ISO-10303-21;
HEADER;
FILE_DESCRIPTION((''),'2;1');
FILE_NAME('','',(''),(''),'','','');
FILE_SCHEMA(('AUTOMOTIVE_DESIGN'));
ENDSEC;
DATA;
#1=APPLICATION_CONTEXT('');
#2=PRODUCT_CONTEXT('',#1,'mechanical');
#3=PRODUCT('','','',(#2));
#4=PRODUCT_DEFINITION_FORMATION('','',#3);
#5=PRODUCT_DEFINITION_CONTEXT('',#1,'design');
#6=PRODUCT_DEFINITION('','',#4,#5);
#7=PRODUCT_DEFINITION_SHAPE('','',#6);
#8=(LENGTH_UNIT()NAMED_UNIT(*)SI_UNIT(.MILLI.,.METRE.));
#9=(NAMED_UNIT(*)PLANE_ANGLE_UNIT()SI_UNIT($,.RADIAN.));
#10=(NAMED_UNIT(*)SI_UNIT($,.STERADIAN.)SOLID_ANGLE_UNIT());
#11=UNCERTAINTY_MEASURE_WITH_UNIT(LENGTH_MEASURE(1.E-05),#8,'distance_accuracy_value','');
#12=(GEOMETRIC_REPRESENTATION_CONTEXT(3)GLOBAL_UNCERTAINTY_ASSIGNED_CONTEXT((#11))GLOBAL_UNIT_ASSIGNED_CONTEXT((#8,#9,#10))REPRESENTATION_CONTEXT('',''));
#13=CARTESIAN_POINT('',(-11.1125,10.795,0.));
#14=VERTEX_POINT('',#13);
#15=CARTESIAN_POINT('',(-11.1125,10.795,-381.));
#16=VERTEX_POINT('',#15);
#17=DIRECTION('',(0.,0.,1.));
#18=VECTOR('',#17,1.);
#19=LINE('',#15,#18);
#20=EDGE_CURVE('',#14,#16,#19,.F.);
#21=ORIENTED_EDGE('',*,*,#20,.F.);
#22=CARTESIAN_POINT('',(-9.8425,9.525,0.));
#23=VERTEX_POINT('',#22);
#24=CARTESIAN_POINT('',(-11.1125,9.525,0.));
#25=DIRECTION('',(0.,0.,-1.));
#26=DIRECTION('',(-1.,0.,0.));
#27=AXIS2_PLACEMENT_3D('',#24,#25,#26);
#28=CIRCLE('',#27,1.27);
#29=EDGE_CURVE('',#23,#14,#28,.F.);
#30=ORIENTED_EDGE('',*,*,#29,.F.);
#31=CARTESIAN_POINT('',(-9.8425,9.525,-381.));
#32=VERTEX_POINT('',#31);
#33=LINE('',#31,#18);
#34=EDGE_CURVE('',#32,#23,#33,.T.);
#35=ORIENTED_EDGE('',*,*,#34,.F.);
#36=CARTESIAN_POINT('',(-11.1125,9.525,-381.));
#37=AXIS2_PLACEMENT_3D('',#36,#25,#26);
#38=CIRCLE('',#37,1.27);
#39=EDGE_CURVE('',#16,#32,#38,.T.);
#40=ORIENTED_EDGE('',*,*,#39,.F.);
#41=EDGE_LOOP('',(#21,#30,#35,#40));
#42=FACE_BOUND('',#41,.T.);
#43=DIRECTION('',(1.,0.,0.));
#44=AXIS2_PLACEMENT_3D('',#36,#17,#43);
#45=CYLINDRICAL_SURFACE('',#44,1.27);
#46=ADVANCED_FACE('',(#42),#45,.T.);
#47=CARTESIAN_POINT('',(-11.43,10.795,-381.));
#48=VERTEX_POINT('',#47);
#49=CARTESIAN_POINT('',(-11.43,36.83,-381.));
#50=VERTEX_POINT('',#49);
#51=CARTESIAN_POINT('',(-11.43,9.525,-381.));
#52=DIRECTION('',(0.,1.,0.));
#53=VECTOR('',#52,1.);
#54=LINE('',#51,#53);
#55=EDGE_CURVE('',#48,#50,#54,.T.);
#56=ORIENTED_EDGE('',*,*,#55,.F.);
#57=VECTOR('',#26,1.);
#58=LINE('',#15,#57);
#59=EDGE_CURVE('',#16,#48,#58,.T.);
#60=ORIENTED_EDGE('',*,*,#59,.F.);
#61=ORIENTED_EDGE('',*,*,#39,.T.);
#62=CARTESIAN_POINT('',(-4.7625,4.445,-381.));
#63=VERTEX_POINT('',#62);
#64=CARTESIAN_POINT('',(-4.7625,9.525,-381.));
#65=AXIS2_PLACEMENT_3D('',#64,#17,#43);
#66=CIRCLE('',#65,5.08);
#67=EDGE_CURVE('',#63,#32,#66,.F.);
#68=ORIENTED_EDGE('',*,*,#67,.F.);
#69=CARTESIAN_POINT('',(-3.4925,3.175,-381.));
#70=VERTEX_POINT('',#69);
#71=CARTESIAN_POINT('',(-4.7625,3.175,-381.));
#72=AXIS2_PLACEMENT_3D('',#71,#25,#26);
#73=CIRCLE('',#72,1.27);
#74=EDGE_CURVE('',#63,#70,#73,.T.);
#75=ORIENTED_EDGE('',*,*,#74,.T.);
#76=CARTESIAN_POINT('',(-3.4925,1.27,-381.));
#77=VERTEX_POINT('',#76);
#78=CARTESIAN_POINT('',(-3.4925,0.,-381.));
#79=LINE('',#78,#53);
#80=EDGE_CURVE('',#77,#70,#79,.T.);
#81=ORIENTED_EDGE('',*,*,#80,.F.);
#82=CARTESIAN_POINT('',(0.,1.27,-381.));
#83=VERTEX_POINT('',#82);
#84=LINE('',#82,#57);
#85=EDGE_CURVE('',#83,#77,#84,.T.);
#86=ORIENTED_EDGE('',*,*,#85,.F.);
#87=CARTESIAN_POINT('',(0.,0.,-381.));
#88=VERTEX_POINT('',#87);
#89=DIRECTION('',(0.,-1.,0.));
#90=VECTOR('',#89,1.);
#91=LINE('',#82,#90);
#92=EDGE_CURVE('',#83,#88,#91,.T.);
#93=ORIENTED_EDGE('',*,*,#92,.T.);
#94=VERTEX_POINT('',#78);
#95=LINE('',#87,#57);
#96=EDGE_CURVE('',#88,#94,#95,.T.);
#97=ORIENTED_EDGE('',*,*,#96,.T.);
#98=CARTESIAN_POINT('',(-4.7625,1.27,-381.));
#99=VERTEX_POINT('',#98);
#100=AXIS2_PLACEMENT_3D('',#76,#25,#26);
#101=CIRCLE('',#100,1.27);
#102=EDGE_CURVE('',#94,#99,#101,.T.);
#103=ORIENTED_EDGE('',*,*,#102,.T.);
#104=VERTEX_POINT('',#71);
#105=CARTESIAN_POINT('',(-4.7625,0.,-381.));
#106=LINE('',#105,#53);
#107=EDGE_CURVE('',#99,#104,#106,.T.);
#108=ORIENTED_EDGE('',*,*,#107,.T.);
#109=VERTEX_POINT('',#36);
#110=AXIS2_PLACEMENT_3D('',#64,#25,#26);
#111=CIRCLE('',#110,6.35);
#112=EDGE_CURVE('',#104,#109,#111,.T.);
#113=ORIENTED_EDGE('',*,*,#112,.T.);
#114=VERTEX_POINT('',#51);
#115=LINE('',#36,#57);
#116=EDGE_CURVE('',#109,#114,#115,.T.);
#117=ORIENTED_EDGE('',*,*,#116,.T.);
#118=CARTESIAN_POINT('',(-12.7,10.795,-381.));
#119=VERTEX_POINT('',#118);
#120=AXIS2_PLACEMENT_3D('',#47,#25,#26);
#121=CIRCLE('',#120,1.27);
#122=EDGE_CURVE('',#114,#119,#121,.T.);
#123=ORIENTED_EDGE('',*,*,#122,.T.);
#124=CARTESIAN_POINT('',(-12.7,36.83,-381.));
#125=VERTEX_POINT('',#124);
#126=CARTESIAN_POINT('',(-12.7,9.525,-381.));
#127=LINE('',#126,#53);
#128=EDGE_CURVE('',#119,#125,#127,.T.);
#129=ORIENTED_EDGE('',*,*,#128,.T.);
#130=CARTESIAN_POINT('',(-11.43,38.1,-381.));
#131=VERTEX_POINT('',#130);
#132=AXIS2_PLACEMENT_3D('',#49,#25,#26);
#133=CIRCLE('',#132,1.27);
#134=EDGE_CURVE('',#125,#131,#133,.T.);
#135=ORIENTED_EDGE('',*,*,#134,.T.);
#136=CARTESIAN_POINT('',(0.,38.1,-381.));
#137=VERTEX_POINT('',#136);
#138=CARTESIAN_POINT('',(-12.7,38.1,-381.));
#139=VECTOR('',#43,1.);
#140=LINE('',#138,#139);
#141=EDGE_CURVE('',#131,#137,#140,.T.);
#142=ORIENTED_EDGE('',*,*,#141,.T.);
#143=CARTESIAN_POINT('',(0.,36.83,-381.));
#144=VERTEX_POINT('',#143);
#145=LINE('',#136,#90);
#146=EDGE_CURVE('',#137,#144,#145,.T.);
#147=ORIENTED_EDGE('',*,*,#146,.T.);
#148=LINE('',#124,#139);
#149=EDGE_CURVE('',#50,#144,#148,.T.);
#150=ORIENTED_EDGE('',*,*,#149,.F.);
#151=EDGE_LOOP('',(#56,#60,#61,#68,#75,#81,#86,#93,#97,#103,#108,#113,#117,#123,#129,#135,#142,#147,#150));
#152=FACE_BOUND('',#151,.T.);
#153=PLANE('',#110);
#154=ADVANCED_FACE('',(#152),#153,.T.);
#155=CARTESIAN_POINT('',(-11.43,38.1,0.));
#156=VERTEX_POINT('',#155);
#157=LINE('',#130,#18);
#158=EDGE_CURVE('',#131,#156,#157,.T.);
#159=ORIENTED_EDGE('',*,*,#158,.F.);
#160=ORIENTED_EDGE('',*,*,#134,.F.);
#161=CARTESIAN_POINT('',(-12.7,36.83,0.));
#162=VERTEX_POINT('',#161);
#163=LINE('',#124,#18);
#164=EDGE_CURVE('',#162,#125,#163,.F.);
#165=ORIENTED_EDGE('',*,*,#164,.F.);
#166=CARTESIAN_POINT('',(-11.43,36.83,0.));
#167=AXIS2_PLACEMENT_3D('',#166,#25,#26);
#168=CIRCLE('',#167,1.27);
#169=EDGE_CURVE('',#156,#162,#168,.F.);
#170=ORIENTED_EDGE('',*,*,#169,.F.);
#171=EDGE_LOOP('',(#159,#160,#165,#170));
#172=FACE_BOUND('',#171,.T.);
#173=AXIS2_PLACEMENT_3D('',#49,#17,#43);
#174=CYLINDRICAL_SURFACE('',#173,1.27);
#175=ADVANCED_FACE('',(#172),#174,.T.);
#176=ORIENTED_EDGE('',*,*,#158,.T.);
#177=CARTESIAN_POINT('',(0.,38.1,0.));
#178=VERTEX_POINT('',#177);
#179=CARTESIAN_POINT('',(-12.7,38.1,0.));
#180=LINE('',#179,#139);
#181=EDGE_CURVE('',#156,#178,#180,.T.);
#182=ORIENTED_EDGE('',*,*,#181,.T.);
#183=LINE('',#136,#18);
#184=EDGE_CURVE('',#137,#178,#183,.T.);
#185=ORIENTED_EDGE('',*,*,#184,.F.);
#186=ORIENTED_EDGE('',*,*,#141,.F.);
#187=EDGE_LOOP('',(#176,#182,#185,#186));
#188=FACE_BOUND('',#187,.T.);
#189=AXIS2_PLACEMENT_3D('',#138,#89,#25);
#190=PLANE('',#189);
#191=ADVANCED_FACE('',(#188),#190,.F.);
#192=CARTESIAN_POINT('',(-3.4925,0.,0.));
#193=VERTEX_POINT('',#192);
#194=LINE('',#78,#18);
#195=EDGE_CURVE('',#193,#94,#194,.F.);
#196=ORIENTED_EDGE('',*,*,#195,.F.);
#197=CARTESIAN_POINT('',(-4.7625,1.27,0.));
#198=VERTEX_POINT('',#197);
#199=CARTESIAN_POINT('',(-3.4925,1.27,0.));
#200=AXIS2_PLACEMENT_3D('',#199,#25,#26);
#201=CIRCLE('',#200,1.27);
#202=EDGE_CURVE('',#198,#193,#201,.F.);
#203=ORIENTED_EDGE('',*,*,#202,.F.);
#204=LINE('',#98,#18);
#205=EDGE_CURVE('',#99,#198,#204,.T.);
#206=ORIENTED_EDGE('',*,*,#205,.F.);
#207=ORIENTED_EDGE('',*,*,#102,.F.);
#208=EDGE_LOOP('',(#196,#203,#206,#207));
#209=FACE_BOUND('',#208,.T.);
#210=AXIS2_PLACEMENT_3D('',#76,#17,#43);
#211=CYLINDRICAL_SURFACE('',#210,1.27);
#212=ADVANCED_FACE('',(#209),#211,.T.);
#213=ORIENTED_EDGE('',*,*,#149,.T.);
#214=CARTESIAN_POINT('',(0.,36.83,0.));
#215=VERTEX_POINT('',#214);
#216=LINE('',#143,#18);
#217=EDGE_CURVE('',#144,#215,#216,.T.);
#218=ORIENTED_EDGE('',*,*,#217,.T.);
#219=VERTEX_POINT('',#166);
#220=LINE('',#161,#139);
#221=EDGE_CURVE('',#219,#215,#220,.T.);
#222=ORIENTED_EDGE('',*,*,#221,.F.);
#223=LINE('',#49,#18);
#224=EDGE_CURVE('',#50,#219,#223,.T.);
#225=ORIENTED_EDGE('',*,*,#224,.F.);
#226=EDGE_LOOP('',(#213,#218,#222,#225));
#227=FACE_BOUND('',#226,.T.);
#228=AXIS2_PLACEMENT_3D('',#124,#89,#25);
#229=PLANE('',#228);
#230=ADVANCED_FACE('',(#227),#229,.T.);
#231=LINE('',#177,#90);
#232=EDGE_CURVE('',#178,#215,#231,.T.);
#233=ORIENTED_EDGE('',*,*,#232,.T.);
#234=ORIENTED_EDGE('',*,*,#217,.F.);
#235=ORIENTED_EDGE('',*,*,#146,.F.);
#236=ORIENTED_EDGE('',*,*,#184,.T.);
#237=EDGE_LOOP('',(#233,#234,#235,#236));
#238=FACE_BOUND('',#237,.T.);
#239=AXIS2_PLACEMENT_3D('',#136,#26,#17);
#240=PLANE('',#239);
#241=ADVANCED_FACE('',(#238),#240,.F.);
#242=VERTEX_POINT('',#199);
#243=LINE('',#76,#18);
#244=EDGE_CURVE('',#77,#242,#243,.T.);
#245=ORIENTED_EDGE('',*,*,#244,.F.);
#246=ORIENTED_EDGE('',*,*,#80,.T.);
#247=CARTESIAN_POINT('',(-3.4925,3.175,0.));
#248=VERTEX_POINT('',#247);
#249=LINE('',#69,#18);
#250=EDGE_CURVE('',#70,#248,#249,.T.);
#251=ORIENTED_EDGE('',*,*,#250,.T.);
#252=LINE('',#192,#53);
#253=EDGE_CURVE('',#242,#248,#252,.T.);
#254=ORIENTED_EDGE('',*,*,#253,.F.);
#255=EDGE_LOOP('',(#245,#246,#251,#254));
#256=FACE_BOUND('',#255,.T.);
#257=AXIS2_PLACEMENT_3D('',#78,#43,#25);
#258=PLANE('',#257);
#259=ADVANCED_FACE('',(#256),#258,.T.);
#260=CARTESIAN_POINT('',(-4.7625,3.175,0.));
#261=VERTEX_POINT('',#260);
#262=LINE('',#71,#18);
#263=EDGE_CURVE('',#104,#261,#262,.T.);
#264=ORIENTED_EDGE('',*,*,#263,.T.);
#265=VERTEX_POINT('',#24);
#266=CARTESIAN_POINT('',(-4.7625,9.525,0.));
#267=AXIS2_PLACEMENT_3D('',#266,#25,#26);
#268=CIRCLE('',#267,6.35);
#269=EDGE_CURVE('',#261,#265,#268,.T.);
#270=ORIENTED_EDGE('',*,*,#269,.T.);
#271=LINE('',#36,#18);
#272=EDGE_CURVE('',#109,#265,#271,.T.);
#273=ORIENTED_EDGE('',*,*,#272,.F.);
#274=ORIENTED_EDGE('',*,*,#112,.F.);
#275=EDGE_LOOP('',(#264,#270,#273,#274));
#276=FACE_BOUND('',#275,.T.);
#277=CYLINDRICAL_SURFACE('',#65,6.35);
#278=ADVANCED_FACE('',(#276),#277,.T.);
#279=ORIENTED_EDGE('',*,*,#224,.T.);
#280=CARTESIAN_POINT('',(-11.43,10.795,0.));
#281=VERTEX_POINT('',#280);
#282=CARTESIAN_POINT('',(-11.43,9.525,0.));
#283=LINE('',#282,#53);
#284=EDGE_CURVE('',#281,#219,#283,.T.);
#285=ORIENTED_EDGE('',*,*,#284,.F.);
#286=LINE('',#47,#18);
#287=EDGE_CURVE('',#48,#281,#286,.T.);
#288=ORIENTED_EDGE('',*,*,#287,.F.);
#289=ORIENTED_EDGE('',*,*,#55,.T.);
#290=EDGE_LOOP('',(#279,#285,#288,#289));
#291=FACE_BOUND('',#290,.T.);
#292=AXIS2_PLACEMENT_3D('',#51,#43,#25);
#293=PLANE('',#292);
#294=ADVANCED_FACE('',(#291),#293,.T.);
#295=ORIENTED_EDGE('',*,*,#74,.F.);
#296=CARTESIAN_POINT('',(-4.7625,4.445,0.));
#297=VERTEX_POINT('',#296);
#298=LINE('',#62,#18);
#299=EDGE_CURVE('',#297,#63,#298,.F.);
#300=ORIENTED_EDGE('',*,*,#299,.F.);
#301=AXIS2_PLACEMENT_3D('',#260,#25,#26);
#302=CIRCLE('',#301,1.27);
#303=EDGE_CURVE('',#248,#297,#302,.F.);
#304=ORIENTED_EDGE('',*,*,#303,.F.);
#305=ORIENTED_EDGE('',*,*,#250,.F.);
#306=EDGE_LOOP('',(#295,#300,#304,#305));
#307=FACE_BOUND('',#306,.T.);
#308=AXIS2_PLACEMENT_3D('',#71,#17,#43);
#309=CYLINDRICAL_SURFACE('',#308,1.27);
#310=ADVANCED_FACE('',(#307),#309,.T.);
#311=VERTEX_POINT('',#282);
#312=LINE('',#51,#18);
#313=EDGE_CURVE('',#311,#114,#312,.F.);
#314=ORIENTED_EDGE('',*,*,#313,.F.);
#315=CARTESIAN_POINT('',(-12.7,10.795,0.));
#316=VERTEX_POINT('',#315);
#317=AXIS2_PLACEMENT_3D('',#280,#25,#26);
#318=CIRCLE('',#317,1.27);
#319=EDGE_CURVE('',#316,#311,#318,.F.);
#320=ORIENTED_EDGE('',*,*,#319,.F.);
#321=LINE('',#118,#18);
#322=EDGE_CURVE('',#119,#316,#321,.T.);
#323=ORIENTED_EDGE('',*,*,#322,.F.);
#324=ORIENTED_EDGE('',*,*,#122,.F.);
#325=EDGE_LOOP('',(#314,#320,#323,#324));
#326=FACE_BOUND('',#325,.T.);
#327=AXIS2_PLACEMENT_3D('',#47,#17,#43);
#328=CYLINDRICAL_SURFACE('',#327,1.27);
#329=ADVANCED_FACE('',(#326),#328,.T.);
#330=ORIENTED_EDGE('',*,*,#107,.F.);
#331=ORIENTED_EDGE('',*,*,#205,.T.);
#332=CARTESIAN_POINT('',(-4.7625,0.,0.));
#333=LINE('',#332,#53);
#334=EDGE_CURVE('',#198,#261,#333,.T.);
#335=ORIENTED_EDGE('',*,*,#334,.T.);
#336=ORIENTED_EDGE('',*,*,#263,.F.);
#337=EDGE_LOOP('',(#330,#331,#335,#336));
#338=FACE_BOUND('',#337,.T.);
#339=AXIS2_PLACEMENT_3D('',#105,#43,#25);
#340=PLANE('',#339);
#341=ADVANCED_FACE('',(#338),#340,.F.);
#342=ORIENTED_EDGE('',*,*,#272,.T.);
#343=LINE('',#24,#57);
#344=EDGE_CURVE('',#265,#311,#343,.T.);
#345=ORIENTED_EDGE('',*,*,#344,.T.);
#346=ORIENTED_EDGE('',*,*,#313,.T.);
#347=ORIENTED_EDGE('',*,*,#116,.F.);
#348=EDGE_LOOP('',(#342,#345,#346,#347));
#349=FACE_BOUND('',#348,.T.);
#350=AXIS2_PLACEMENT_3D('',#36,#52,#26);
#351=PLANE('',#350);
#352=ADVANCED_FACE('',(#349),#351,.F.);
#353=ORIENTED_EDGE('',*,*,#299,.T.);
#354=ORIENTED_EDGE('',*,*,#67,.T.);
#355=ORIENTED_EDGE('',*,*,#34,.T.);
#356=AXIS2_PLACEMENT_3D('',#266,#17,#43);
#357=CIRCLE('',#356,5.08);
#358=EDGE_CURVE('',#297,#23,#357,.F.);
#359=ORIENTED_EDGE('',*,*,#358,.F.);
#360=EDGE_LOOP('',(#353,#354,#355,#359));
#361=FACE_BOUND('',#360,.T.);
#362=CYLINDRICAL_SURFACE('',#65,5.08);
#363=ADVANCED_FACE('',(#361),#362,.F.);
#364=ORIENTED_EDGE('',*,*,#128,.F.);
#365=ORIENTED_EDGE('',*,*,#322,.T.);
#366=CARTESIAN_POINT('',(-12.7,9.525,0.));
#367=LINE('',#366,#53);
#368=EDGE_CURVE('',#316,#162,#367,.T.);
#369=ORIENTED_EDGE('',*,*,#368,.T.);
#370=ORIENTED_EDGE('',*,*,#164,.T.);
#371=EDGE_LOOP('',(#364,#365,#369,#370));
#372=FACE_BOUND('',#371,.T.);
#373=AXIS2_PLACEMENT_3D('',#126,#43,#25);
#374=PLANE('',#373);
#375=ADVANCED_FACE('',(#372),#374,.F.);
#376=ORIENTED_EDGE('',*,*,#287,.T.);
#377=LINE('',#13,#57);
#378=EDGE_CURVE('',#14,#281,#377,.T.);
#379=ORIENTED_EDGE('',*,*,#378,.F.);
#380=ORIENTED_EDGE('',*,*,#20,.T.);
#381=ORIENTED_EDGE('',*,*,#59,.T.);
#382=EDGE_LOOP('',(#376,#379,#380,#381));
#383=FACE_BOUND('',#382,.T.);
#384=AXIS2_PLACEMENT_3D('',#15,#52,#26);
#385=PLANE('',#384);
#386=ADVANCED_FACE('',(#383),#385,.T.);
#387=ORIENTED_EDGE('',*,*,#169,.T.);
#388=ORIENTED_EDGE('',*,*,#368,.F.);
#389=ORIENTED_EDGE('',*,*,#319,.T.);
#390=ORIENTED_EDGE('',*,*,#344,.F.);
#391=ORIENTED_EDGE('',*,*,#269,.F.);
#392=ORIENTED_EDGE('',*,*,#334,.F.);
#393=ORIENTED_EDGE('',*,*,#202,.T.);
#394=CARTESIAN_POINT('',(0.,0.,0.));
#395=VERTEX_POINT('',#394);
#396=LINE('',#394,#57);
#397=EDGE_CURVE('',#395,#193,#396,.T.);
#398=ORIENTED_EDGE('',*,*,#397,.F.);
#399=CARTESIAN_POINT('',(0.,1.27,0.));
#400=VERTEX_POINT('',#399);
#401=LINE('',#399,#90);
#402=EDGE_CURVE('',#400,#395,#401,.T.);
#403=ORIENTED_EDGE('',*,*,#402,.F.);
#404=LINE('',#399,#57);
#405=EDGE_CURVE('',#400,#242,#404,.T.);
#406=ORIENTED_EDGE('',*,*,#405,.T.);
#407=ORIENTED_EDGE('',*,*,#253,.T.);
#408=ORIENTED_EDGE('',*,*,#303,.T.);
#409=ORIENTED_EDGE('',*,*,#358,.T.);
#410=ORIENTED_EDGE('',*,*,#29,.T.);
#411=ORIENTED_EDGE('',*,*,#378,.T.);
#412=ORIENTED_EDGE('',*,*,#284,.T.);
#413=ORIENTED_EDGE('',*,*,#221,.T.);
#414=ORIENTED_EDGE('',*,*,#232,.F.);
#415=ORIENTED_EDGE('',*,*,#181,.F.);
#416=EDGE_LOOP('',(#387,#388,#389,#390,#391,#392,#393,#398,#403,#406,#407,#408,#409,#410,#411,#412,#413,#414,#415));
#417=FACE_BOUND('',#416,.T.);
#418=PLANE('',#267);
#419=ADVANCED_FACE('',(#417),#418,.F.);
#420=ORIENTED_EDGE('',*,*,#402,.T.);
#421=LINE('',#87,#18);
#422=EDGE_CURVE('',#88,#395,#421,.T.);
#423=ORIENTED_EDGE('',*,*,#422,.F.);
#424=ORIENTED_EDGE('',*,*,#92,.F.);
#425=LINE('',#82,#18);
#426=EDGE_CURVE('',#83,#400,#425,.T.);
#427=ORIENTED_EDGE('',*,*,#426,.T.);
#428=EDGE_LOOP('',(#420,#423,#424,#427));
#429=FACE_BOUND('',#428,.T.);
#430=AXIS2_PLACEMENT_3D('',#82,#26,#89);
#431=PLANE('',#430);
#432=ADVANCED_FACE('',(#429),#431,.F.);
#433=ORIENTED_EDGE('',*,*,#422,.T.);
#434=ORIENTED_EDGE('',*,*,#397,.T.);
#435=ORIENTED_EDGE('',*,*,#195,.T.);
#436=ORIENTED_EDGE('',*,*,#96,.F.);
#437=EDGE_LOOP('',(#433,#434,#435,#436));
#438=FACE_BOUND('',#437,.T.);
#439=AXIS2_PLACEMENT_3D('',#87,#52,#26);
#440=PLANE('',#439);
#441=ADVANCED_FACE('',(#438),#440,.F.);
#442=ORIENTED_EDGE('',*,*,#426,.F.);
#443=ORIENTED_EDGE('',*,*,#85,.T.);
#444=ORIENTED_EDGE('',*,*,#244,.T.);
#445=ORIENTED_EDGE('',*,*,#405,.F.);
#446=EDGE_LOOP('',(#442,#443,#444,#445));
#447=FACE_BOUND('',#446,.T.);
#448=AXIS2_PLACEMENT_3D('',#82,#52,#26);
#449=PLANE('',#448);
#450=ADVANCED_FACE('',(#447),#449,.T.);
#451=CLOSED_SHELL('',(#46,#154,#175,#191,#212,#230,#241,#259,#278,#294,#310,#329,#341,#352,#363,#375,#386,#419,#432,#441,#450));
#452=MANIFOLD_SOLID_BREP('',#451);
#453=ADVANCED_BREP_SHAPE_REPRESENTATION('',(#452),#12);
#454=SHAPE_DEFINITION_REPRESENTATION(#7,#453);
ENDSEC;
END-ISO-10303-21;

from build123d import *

# Parameters (mm, degrees)
EXTRUDE_THIN1_DEPTH = 381
FILLET1_R           = 1.27


with BuildPart() as part:
    # Sketch1 → Extrude-Thin1 (new body)
    with BuildSketch(Plane.XY):
        with BuildLine():
            Line((0, 0), (-4.7625, 0))
            Line((-4.7625, 0), (-4.7625, 3.175))
            ThreePointArc((-4.7625, 3.175), (-9.252628061, 5.034871939), (-11.1125, 9.525))
            Line((-11.1125, 9.525), (-12.7, 9.525))
            Line((-12.7, 9.525), (-12.7, 38.1))
            Line((-12.7, 38.1), (0, 38.1))
            Line((0, 38.1), (0, 36.83))
            Line((0, 36.83), (-11.43, 36.83))
            Line((-11.43, 36.83), (-11.43, 10.795))
            Line((-11.43, 10.795), (-9.68118885, 10.795))
            ThreePointArc((-9.68118885, 10.795), (-8.354602448, 5.932897552), (-3.4925, 4.60631115))
            Line((-3.4925, 4.60631115), (-3.4925, 1.27))
            Line((-3.4925, 1.27), (0, 1.27))
            Line((0, 1.27), (0, 0))
        make_face()
    extrude(amount=-EXTRUDE_THIN1_DEPTH)

    # Fillet1
    fillet1_edges = [part.edges().sort_by_distance(p)[0] for p in [
        (-9.68118885, 10.795, -190.5),
        (-3.4925, 4.60631115, -190.5),
        (-4.7625, 0, -190.5),
        (-12.7, 9.525, -190.5),
        (-12.7, 38.1, -190.5),
    ]]
    fillet(fillet1_edges, radius=FILLET1_R)


solid = part.part
